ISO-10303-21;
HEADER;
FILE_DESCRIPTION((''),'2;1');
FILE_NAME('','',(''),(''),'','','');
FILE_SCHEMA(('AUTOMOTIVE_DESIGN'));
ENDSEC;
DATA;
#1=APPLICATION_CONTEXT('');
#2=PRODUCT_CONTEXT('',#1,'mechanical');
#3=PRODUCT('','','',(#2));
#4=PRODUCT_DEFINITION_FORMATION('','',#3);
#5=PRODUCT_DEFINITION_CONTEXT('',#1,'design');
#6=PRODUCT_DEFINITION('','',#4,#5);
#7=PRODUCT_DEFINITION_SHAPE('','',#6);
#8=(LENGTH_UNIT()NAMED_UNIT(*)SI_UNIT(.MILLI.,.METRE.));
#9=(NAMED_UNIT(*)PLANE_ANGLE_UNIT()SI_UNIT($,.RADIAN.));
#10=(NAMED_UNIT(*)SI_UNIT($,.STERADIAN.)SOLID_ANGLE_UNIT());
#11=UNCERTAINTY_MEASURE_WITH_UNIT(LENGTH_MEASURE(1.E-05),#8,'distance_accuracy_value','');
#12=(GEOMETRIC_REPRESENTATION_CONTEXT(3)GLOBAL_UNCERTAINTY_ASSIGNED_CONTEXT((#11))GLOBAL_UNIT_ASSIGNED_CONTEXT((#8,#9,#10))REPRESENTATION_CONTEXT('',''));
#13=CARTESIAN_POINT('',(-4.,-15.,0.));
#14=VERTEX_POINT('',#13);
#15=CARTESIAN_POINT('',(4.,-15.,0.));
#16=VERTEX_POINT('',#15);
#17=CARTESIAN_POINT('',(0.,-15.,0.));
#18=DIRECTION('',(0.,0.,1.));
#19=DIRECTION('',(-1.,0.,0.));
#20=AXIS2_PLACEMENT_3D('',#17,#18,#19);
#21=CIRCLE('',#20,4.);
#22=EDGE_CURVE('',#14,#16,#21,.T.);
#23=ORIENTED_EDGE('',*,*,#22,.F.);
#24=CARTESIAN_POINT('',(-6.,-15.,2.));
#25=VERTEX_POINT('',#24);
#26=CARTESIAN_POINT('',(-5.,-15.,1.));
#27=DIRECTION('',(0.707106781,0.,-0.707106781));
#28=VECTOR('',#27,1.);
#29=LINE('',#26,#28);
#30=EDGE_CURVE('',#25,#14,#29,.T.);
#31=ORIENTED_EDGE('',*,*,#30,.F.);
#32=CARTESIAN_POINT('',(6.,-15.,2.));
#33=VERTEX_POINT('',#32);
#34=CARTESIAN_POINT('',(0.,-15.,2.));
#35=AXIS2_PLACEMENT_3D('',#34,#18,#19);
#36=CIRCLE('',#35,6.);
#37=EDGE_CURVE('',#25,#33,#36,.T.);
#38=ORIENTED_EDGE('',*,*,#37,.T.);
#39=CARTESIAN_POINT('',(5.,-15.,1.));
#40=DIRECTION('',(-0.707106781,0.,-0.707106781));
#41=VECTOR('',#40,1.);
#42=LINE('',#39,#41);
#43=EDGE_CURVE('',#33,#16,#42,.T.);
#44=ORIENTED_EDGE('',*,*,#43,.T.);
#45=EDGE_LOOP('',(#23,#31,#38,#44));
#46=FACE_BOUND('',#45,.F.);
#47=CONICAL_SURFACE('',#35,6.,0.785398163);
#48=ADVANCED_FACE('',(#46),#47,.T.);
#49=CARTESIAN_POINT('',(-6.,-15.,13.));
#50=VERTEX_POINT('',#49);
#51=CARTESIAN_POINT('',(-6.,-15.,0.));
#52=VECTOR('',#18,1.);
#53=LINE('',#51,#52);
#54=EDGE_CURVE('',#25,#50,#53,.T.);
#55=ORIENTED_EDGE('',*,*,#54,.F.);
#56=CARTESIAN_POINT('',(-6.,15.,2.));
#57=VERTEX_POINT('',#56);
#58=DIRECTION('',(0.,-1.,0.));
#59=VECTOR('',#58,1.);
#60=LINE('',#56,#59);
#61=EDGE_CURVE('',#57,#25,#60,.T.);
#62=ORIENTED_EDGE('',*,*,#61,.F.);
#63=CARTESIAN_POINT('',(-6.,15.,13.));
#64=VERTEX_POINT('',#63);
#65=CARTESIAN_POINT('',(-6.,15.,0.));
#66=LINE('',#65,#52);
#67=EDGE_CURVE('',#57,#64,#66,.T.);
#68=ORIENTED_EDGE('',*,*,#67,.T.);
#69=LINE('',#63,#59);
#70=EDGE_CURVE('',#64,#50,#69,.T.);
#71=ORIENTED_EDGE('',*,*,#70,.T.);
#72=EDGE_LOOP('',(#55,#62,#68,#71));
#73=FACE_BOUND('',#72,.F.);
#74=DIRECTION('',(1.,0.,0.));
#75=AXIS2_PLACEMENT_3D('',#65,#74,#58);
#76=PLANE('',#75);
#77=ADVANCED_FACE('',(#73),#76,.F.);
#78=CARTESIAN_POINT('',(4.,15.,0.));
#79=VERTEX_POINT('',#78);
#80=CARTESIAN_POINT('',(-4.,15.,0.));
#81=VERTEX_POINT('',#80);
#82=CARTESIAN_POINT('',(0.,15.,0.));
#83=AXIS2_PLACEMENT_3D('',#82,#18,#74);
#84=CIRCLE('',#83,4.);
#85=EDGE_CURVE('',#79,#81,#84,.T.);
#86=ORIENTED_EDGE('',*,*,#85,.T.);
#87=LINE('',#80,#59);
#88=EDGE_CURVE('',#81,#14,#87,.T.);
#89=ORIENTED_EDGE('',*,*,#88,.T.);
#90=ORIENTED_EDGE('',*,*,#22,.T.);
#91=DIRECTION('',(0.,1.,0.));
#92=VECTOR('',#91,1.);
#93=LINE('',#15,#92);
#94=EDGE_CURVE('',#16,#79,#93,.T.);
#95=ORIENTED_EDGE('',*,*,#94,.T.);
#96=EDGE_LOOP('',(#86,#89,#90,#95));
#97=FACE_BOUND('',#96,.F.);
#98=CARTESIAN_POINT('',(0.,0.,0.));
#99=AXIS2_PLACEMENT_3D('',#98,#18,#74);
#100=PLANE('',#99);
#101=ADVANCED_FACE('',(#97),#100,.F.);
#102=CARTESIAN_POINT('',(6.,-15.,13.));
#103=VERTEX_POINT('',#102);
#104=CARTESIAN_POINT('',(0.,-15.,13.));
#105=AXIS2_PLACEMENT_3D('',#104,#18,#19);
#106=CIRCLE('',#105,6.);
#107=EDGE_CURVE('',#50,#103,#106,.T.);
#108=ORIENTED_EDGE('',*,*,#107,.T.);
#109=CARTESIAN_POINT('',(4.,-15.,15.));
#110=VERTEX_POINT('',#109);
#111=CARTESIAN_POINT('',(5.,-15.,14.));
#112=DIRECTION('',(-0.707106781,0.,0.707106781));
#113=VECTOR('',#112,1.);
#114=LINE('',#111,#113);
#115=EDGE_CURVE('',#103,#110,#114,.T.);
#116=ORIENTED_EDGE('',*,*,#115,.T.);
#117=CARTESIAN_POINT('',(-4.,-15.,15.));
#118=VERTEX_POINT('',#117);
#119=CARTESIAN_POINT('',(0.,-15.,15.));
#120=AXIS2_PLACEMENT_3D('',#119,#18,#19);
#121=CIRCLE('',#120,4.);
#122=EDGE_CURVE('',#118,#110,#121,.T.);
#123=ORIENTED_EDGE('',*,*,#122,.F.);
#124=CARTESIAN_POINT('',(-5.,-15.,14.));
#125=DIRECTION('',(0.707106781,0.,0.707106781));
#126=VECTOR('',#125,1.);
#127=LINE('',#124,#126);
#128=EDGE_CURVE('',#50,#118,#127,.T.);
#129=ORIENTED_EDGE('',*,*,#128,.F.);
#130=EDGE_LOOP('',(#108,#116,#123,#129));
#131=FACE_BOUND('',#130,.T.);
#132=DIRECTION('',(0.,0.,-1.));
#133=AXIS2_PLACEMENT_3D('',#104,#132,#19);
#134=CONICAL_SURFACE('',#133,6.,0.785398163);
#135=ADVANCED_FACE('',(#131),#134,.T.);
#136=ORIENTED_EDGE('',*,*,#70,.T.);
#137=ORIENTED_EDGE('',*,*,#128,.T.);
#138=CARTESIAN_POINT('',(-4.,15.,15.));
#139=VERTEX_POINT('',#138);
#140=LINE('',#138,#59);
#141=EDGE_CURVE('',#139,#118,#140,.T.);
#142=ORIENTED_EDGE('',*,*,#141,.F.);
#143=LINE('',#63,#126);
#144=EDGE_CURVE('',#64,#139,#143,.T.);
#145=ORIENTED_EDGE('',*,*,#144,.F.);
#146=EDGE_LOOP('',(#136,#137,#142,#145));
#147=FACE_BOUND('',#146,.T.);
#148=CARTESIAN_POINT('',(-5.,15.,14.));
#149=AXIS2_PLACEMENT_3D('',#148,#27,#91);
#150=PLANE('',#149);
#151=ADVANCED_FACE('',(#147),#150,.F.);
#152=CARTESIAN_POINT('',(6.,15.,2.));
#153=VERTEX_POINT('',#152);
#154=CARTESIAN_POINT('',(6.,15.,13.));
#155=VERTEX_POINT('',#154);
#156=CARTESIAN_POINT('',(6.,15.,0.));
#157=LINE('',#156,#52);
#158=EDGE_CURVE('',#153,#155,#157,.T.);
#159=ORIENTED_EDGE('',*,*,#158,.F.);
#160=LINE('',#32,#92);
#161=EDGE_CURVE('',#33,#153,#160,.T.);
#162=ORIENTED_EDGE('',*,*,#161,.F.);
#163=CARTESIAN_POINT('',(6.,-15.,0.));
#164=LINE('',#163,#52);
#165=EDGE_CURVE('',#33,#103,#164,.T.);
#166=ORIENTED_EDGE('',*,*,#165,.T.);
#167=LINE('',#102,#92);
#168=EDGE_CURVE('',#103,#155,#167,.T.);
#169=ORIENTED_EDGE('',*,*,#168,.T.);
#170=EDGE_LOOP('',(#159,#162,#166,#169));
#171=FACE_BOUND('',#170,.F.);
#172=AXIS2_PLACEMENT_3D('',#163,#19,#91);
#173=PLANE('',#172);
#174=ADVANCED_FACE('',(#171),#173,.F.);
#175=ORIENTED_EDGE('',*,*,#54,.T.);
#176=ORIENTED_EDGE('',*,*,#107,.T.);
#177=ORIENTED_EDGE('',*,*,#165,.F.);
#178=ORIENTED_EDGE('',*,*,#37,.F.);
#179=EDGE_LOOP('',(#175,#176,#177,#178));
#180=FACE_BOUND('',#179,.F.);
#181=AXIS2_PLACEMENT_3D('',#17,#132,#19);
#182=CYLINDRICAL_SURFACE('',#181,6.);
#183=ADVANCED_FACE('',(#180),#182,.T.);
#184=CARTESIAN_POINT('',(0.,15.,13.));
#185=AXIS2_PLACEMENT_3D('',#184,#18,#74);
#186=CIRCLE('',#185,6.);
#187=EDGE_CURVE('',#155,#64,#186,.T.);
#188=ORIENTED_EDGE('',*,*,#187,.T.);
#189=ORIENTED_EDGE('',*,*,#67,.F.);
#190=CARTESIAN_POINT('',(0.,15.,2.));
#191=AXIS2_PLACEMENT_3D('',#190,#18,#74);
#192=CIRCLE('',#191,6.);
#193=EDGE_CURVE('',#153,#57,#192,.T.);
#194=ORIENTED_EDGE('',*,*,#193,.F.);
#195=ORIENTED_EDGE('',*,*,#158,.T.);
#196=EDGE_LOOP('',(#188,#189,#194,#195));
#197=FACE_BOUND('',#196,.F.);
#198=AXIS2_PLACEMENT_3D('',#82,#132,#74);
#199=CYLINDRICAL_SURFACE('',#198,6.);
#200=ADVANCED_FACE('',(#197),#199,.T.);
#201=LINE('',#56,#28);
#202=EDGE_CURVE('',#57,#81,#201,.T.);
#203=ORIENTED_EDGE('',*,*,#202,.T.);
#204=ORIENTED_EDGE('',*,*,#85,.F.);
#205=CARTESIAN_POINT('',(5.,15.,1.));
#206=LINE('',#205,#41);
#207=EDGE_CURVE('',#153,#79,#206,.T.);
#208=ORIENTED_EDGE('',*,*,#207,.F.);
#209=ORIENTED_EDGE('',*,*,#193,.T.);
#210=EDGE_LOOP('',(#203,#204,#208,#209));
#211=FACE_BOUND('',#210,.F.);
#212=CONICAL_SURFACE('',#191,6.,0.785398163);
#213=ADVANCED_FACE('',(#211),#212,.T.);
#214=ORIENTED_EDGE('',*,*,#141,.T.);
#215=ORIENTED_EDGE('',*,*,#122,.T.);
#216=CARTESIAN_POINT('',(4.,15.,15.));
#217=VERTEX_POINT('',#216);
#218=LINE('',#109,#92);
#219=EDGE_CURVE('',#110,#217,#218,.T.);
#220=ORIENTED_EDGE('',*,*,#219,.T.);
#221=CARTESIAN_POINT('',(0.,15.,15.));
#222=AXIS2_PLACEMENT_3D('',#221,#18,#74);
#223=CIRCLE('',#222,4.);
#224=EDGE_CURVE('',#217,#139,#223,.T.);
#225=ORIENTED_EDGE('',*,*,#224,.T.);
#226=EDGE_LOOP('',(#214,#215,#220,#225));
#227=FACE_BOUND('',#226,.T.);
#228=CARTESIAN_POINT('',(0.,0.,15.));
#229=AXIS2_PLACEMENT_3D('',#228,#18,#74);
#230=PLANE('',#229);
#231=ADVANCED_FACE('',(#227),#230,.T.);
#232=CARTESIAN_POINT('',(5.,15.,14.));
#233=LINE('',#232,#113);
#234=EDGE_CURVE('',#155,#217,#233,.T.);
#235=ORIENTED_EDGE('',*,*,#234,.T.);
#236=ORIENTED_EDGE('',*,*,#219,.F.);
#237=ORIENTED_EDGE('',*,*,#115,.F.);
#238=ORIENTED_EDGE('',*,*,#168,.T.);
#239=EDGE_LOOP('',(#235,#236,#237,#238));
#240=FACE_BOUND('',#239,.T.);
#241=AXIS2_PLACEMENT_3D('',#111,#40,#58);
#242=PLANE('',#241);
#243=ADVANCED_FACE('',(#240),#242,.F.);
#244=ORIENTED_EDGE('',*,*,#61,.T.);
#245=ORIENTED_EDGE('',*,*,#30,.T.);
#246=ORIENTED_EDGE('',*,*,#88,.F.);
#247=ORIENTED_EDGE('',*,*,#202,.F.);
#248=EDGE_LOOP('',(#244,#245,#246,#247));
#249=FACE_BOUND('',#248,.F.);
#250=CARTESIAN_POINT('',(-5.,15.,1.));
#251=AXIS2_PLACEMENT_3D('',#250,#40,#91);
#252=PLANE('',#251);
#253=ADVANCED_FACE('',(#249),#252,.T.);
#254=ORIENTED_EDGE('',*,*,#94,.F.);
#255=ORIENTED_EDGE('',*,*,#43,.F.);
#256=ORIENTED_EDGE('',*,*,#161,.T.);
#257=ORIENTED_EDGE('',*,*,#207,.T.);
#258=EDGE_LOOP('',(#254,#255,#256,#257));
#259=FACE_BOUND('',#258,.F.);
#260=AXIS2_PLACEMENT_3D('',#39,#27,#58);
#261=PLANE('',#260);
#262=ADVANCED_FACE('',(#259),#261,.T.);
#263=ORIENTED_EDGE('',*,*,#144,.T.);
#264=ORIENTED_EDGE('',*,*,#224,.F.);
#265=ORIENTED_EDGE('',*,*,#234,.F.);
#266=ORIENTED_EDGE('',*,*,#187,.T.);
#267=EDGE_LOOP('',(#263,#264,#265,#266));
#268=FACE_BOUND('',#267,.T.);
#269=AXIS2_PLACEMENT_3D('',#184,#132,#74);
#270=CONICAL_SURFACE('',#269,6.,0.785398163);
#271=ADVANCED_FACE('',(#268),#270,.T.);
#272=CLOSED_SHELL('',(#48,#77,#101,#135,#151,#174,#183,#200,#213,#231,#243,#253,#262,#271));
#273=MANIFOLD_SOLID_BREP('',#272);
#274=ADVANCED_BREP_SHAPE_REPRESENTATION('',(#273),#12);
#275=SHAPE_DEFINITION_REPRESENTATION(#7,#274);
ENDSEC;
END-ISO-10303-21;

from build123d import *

# Parameters (mm, degrees)
F1_DEPTH = 15
F2_SIZE  = 2


with BuildPart() as f1:
    # F0 (on Top) → F1 (new body)
    with BuildSketch(Plane.XY):
        with BuildLine():
            Line((-6, 15), (-6, 0))
            Line((-6, 0), (-6, -15))
            ThreePointArc((-6, -15), (0, -21), (6, -15))
            Line((6, -15), (6, 0))
            Line((6, 0), (6, 15))
            ThreePointArc((6, 15), (0, 21), (-6, 15))
        make_face()
    extrude(amount=F1_DEPTH)

    # F2
    f2_edges = [f1.edges().sort_by_distance(p)[0] for p in [
        (6, 0, 15),
        (6, 0, 0),
    ]]
    chamfer(f2_edges, length=F2_SIZE)


solid = f1.part
